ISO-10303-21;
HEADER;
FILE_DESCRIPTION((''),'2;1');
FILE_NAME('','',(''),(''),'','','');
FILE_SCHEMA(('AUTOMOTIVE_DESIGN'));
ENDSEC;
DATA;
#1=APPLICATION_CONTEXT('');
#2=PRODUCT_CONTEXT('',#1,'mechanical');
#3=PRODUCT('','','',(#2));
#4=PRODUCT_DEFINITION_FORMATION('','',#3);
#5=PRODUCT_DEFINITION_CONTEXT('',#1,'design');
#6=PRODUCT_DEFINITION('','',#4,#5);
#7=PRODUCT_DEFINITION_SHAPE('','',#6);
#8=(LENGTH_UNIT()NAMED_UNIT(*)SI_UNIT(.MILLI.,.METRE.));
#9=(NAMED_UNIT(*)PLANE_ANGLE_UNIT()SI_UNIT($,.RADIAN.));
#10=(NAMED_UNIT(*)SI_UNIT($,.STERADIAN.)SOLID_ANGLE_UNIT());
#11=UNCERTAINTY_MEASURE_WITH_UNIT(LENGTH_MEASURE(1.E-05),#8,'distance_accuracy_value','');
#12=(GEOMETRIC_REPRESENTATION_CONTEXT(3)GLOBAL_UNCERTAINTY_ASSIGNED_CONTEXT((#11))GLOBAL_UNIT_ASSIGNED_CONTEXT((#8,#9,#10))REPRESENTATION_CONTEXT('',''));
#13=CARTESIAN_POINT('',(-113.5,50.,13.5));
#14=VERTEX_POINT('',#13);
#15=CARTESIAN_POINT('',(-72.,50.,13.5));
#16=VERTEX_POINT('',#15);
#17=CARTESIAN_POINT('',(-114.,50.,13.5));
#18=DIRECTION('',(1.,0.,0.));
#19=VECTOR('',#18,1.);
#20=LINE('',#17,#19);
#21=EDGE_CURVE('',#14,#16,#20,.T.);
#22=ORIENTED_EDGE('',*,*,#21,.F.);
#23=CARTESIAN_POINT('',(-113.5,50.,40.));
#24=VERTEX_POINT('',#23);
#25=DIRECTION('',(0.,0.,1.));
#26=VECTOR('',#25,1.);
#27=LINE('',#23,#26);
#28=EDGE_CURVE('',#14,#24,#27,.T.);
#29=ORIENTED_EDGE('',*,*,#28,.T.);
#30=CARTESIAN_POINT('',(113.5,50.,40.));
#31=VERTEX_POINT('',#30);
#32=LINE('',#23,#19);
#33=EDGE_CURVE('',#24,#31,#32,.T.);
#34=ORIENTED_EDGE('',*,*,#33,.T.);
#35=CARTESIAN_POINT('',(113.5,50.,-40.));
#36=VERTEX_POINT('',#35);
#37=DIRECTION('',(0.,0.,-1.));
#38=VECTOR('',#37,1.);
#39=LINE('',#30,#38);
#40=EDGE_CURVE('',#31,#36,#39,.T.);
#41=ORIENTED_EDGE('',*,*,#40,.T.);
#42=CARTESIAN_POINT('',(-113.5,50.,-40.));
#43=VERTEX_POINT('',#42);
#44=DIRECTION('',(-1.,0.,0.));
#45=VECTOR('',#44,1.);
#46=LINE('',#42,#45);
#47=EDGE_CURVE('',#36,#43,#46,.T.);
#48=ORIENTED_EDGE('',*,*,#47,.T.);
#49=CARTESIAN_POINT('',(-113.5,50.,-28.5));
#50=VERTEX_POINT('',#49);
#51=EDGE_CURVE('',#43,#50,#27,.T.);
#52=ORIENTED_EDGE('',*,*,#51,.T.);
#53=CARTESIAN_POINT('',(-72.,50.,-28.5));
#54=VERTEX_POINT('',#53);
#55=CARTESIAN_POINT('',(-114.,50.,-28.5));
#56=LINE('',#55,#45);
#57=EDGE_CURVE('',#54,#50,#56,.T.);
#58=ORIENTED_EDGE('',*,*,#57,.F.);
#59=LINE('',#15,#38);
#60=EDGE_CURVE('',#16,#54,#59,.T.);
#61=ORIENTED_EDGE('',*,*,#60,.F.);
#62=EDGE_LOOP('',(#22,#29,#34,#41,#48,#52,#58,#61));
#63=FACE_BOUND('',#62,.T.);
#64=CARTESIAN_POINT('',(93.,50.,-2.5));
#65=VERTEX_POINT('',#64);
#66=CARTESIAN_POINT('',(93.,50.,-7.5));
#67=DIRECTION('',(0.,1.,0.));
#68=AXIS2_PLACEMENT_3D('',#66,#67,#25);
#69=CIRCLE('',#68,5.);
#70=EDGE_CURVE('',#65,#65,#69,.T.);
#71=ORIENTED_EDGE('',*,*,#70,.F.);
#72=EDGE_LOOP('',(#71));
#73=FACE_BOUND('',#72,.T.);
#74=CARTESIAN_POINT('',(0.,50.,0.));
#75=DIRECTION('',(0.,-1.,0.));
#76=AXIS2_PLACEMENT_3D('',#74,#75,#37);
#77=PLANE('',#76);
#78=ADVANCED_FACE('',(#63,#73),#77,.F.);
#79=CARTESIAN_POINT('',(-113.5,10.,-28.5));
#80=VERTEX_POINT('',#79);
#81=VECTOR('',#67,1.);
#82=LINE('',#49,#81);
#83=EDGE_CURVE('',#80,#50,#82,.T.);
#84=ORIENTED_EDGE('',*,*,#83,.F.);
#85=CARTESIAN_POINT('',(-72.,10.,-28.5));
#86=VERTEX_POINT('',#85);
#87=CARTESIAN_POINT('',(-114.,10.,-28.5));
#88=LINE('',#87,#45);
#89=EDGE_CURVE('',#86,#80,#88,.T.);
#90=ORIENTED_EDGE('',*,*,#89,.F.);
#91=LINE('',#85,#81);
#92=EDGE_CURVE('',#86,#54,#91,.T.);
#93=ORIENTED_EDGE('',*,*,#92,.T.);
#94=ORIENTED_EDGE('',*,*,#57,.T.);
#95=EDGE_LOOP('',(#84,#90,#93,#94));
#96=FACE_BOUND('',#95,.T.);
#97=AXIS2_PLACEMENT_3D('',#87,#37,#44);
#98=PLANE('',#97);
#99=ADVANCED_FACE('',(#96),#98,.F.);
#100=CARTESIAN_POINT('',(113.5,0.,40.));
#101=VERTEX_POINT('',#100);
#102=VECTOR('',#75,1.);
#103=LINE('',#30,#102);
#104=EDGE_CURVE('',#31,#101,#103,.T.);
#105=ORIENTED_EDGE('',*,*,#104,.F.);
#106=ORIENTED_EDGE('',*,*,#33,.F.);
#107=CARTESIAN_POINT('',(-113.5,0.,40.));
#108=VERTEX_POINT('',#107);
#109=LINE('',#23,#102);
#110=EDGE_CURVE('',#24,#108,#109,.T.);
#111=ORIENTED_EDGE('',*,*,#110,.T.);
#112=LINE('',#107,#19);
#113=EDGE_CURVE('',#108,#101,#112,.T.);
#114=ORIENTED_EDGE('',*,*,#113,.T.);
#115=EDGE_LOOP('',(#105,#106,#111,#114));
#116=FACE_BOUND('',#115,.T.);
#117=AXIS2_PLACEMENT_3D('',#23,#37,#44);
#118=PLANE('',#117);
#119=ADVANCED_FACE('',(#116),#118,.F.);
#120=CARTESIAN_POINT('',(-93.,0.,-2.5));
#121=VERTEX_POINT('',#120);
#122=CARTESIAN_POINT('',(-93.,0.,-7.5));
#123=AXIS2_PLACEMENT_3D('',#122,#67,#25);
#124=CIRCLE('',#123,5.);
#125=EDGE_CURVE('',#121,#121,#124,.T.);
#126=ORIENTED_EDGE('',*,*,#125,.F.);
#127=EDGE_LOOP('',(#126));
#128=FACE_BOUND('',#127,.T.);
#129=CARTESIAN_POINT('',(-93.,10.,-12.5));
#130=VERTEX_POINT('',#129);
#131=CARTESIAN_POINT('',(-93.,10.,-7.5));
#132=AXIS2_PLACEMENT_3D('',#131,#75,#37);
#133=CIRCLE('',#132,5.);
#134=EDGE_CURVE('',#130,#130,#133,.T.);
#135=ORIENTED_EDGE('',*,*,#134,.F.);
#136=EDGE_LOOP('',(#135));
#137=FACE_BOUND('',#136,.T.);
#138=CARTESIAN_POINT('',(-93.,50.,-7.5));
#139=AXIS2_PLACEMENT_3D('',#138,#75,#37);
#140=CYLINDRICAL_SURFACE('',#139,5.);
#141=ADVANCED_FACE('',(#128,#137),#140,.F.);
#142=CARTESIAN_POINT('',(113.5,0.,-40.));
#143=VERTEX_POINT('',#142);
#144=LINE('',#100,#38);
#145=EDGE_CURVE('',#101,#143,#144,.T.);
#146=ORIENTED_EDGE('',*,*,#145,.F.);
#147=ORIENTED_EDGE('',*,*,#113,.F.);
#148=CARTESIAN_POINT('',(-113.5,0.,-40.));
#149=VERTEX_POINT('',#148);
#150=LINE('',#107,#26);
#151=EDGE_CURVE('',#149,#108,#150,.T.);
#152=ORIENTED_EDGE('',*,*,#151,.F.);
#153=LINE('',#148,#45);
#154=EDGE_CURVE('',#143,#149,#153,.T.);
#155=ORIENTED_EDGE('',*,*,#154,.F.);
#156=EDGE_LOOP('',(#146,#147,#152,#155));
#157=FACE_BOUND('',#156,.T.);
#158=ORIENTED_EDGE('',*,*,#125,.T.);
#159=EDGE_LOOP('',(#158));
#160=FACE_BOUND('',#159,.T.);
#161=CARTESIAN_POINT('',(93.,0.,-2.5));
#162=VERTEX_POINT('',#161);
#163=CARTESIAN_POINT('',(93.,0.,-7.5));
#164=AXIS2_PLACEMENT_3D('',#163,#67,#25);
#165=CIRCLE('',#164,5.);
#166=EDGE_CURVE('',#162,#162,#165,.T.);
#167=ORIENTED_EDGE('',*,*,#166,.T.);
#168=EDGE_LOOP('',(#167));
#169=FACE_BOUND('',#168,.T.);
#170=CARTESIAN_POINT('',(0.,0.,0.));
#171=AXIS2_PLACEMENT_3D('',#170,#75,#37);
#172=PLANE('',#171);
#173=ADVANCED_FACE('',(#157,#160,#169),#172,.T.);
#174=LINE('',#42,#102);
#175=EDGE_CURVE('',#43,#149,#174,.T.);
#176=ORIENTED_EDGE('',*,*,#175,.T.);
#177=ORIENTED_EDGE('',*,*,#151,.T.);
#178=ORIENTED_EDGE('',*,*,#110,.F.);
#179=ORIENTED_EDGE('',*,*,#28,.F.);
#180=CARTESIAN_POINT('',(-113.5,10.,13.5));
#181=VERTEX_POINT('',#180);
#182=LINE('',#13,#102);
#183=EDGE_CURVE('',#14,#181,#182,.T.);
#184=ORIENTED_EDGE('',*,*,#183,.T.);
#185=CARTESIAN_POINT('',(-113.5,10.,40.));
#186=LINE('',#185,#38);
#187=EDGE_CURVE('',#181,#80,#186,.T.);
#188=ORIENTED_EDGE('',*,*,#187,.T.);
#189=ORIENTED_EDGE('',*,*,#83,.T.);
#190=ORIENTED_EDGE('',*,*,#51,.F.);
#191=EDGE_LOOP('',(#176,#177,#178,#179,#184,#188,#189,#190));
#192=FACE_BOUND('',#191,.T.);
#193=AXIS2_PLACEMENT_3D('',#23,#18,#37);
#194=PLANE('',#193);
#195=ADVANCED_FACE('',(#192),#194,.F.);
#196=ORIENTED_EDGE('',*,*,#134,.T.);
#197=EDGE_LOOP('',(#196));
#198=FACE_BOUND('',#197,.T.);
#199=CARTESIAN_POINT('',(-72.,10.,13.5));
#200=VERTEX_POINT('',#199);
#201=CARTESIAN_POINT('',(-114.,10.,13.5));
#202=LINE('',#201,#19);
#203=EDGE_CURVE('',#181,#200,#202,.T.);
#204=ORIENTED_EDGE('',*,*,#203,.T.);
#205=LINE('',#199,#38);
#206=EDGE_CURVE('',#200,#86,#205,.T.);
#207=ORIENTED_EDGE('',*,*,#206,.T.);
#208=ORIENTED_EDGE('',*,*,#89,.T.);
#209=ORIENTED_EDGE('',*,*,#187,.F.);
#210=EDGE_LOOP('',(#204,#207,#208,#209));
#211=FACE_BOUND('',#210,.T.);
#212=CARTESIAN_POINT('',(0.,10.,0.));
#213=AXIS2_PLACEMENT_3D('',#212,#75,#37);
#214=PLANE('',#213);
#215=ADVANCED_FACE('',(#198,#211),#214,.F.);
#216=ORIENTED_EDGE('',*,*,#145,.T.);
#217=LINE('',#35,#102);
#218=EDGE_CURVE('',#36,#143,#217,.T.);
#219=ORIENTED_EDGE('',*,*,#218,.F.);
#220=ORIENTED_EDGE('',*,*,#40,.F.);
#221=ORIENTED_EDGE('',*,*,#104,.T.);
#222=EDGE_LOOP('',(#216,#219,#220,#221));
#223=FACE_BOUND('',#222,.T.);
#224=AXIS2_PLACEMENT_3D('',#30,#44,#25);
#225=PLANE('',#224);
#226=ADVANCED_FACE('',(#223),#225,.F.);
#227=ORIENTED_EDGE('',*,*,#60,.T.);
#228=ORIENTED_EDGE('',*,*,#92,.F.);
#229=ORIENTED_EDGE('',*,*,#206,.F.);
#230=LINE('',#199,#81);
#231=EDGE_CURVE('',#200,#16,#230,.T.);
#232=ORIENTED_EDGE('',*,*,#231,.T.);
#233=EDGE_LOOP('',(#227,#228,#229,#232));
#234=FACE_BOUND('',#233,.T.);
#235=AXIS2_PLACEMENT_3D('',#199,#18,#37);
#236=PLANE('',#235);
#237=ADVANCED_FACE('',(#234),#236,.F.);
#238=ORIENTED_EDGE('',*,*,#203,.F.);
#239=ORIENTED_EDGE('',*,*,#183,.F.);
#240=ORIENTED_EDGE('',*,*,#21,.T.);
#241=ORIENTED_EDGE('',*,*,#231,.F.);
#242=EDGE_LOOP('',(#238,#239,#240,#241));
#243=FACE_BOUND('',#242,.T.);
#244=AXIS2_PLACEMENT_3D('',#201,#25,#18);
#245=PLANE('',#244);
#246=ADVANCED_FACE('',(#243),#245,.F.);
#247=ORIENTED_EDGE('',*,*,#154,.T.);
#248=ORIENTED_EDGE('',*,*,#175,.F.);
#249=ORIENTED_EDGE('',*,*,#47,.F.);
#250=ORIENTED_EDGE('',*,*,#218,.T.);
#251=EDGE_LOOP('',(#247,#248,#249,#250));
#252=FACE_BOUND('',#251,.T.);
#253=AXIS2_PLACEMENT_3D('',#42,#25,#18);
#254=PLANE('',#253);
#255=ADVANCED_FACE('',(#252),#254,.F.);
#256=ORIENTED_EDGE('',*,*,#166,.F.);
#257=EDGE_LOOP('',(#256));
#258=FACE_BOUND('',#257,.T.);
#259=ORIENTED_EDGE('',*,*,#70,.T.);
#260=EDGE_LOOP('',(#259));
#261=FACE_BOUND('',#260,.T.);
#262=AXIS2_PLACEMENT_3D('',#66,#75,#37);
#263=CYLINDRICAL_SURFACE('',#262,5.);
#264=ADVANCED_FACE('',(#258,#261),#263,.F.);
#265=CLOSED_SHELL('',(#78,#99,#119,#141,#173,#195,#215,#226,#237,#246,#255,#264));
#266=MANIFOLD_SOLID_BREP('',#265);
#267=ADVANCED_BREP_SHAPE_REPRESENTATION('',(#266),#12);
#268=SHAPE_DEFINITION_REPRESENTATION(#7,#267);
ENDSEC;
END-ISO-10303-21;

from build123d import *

# Parameters (mm, degrees)
SKETCH1_W           = 227
SKETCH1_H           = 80
SKETCH1_R           = 5
BOSS_EXTRUDE1_DEPTH = 50
SKETCH2_W           = 42
SKETCH2_H           = 42
CUT_EXTRUDE1_DEPTH  = 40


with BuildPart() as part:
    # Sketch1 → Boss-Extrude1 (new body)
    with BuildSketch(Plane(origin=(0, 0, 0), x_dir=(1, 0, 0), z_dir=(0, 1, 0))):
        Rectangle(SKETCH1_W, SKETCH1_H)
        with Locations((-93, 7.5)):
            Circle(SKETCH1_R, mode=Mode.SUBTRACT)
        with Locations((93, 7.5)):
            Circle(SKETCH1_R, mode=Mode.SUBTRACT)
    extrude(amount=BOSS_EXTRUDE1_DEPTH)

    # Sketch2 → Cut-Extrude1 (cut)
    with BuildSketch(Plane(origin=(0, 50, 0), x_dir=(1, 0, 0), z_dir=(0, 1, 0))):
        with Locations((-93, 7.5)):
            Rectangle(SKETCH2_W, SKETCH2_H)
    extrude(amount=-CUT_EXTRUDE1_DEPTH, mode=Mode.SUBTRACT)


solid = part.part
